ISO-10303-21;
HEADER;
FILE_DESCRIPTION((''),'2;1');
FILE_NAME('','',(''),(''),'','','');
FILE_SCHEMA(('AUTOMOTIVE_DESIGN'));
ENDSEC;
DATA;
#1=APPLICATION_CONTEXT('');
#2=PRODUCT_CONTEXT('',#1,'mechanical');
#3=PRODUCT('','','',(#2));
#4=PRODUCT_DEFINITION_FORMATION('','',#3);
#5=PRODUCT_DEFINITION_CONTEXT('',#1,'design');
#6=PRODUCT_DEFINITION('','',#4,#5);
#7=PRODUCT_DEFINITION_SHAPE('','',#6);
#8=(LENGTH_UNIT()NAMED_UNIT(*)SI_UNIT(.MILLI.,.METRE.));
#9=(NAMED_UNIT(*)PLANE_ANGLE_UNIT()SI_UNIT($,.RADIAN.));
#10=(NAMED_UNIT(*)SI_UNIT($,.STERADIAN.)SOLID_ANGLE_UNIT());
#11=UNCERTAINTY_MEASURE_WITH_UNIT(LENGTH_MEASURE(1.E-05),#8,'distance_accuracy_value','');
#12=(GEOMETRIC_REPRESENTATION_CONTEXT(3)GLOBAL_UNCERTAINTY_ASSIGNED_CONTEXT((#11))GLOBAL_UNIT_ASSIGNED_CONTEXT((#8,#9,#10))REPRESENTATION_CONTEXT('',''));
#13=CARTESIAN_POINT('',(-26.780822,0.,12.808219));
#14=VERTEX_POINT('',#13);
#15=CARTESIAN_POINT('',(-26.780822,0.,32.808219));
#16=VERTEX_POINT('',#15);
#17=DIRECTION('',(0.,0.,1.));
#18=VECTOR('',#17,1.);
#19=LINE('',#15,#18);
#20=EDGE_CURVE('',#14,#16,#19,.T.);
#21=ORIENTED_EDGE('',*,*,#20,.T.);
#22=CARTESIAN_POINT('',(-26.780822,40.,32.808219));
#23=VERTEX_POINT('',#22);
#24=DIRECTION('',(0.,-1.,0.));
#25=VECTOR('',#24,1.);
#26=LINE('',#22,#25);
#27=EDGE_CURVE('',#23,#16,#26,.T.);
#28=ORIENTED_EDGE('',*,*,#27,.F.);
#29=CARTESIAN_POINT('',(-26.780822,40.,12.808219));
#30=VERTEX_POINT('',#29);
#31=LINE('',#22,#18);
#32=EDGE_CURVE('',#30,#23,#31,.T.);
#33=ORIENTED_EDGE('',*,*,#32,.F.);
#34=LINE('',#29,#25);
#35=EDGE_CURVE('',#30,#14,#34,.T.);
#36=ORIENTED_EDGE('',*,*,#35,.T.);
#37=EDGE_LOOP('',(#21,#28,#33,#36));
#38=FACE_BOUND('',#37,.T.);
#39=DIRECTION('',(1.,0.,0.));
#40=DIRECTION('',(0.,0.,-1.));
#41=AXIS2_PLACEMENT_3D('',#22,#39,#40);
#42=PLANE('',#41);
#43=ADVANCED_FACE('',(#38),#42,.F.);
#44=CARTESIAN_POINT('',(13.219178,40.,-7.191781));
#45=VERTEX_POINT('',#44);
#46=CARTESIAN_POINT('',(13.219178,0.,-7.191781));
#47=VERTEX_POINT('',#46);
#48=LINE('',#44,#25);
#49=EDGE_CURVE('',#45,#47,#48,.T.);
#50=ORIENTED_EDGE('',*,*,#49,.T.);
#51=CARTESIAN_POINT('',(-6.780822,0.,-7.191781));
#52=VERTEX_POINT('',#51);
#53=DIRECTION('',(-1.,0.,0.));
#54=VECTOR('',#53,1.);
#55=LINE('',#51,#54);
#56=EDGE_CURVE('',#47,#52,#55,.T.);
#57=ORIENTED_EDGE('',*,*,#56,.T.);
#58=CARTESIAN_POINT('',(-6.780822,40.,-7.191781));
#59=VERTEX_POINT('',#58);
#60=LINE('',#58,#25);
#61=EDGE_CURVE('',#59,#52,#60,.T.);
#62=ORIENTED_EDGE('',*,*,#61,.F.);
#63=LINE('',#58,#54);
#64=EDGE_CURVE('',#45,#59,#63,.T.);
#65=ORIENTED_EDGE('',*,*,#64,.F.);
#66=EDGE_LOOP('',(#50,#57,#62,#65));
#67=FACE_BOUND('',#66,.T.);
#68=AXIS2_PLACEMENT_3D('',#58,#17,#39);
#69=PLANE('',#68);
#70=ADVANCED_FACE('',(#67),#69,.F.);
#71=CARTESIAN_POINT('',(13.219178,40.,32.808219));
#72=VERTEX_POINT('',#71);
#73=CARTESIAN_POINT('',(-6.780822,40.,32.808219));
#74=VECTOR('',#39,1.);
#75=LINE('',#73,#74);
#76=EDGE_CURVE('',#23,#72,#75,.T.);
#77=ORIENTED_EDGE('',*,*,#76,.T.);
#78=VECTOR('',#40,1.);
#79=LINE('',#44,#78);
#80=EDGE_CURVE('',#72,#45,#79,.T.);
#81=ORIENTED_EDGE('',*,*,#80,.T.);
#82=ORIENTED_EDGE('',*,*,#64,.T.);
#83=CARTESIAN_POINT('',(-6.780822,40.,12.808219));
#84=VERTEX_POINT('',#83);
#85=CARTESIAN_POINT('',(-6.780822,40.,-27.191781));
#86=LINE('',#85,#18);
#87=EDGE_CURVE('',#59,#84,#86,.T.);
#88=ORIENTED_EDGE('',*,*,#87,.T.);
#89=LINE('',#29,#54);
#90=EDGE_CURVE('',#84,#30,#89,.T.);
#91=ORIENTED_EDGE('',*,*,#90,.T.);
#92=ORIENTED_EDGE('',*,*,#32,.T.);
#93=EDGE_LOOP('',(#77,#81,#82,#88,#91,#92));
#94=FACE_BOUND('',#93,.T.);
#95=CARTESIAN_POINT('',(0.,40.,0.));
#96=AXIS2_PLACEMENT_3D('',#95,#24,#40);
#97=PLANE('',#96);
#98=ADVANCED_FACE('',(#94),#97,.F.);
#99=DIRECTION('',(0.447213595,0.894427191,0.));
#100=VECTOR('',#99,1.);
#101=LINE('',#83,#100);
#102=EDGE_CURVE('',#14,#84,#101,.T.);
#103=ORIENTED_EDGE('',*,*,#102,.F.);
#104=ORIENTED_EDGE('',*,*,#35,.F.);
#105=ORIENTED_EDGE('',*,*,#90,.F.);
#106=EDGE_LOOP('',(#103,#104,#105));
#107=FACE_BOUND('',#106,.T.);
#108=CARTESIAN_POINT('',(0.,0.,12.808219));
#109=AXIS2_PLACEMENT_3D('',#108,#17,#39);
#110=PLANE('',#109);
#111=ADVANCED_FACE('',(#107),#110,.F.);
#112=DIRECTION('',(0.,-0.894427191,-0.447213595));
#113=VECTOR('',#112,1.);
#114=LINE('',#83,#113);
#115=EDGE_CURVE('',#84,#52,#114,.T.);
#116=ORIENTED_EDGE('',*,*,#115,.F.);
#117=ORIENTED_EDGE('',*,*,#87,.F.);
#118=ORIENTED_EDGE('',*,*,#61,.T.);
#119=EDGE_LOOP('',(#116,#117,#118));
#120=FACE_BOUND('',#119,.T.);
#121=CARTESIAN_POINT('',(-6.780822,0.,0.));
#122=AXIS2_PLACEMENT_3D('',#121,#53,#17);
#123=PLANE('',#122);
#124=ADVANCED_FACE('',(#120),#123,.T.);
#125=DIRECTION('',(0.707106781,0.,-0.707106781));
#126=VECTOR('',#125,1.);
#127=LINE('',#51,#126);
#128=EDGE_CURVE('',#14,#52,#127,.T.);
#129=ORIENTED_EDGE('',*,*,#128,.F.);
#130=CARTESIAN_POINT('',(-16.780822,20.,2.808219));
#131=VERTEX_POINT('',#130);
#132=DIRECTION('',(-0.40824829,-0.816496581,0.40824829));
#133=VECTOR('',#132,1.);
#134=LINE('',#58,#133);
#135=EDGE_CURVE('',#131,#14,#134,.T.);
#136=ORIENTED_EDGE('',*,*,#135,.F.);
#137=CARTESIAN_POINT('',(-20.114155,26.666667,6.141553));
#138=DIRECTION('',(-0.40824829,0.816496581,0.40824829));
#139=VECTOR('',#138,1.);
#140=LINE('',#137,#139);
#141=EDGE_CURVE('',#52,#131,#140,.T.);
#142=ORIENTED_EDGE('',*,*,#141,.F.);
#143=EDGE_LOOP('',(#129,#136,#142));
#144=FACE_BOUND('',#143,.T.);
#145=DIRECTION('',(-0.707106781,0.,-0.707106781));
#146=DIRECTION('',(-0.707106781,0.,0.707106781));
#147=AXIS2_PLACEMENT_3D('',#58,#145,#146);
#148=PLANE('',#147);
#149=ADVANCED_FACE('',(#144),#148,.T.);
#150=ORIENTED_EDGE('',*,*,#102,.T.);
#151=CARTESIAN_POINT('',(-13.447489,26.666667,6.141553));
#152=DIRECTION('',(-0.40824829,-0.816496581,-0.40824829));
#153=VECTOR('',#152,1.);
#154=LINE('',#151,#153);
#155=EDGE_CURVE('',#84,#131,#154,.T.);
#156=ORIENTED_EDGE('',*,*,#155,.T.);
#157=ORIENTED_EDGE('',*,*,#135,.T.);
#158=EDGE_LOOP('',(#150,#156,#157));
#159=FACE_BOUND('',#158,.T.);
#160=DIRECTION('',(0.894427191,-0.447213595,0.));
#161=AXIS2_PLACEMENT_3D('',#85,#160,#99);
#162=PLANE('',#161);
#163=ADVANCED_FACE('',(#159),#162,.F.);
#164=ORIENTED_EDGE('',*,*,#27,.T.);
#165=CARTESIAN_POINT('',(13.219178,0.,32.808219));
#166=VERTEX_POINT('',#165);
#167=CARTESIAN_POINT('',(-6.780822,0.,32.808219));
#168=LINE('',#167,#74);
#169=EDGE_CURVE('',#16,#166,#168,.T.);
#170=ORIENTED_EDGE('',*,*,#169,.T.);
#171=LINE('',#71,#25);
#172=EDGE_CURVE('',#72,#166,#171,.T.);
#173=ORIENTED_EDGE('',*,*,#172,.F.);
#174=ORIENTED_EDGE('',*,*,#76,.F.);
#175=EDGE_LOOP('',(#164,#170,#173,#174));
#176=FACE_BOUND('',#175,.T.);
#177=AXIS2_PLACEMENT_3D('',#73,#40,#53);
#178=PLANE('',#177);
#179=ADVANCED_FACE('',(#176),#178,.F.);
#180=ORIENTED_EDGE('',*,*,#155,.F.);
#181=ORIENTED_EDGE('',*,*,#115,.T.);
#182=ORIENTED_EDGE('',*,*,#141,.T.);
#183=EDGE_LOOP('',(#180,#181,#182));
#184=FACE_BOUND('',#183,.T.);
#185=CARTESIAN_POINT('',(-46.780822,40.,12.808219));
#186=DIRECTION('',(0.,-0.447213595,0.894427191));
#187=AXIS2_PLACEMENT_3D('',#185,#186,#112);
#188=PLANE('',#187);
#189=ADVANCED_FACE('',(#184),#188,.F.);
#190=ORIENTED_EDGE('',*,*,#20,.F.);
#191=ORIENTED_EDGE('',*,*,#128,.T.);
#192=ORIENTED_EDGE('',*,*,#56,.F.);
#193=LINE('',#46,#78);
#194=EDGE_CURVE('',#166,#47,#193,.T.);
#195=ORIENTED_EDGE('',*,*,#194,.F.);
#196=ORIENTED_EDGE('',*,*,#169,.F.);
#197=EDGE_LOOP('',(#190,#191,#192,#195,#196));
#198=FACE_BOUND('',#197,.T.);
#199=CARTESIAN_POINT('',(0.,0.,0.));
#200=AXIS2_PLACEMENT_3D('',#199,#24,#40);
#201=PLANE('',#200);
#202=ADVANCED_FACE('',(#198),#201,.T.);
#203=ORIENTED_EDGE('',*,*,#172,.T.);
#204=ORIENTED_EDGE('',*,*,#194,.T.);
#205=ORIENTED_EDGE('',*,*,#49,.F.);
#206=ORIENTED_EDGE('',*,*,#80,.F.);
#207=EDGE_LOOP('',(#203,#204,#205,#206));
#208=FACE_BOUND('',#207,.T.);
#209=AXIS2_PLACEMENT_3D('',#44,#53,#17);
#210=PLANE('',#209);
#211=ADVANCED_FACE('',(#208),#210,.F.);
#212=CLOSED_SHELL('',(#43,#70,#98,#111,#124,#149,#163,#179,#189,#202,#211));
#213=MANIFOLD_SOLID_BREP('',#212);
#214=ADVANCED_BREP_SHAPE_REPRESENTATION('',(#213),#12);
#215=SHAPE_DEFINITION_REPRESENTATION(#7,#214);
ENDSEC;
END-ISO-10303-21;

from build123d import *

# Parameters (mm, degrees)
EXTRUDE_1_DEPTH     = 40
EXTRUDE_2_DEPTH     = 40
CUT_EXTRUDE_1_DEPTH = 40
CUT_EXTRUDE_2_DEPTH = 40


with BuildPart() as part:
    # 草图1 → 凸台-拉伸1 (new body)
    with BuildSketch(Plane(origin=(0, 0, 0), x_dir=(1, 0, 0), z_dir=(0, 1, 0))):
        Polygon((-6.780821918, 7.191780822), (13.219178082, 7.191780822), (13.219178082, -32.808219178), (-6.780821918, -32.808219178), (-26.780821918, -32.808219178), (-26.780821918, -12.808219178), (-6.780821918, -12.808219178), align=None)
    extrude(amount=EXTRUDE_1_DEPTH)

    # 草图2 → 凸台-拉伸2 (add)
    with BuildSketch(Plane.XZ):
        Polygon((-6.780821918, -7.191780822), (-26.780821918, 12.808219178), (-6.780821918, 12.808219178), align=None)
    extrude(amount=-EXTRUDE_2_DEPTH)

    # 草图3 → 切除-拉伸1 (cut)
    with BuildSketch(Plane.XY.offset(12.808219178)):
        Polygon((-6.780821918, 40), (-26.780821918, 0), (-26.780821918, 40), align=None)
    extrude(amount=-CUT_EXTRUDE_1_DEPTH, mode=Mode.SUBTRACT)

    # 草图4 → 切除-拉伸2 (cut)
    with BuildSketch(Plane(origin=(-6.780821918, 0, 0), x_dir=(0, 0, -1), z_dir=(1, 0, 0))):
        Polygon((-12.808219178, 40), (7.191780822, 0), (7.191780822, 40), align=None)
    extrude(amount=-CUT_EXTRUDE_2_DEPTH, mode=Mode.SUBTRACT)


solid = part.part
